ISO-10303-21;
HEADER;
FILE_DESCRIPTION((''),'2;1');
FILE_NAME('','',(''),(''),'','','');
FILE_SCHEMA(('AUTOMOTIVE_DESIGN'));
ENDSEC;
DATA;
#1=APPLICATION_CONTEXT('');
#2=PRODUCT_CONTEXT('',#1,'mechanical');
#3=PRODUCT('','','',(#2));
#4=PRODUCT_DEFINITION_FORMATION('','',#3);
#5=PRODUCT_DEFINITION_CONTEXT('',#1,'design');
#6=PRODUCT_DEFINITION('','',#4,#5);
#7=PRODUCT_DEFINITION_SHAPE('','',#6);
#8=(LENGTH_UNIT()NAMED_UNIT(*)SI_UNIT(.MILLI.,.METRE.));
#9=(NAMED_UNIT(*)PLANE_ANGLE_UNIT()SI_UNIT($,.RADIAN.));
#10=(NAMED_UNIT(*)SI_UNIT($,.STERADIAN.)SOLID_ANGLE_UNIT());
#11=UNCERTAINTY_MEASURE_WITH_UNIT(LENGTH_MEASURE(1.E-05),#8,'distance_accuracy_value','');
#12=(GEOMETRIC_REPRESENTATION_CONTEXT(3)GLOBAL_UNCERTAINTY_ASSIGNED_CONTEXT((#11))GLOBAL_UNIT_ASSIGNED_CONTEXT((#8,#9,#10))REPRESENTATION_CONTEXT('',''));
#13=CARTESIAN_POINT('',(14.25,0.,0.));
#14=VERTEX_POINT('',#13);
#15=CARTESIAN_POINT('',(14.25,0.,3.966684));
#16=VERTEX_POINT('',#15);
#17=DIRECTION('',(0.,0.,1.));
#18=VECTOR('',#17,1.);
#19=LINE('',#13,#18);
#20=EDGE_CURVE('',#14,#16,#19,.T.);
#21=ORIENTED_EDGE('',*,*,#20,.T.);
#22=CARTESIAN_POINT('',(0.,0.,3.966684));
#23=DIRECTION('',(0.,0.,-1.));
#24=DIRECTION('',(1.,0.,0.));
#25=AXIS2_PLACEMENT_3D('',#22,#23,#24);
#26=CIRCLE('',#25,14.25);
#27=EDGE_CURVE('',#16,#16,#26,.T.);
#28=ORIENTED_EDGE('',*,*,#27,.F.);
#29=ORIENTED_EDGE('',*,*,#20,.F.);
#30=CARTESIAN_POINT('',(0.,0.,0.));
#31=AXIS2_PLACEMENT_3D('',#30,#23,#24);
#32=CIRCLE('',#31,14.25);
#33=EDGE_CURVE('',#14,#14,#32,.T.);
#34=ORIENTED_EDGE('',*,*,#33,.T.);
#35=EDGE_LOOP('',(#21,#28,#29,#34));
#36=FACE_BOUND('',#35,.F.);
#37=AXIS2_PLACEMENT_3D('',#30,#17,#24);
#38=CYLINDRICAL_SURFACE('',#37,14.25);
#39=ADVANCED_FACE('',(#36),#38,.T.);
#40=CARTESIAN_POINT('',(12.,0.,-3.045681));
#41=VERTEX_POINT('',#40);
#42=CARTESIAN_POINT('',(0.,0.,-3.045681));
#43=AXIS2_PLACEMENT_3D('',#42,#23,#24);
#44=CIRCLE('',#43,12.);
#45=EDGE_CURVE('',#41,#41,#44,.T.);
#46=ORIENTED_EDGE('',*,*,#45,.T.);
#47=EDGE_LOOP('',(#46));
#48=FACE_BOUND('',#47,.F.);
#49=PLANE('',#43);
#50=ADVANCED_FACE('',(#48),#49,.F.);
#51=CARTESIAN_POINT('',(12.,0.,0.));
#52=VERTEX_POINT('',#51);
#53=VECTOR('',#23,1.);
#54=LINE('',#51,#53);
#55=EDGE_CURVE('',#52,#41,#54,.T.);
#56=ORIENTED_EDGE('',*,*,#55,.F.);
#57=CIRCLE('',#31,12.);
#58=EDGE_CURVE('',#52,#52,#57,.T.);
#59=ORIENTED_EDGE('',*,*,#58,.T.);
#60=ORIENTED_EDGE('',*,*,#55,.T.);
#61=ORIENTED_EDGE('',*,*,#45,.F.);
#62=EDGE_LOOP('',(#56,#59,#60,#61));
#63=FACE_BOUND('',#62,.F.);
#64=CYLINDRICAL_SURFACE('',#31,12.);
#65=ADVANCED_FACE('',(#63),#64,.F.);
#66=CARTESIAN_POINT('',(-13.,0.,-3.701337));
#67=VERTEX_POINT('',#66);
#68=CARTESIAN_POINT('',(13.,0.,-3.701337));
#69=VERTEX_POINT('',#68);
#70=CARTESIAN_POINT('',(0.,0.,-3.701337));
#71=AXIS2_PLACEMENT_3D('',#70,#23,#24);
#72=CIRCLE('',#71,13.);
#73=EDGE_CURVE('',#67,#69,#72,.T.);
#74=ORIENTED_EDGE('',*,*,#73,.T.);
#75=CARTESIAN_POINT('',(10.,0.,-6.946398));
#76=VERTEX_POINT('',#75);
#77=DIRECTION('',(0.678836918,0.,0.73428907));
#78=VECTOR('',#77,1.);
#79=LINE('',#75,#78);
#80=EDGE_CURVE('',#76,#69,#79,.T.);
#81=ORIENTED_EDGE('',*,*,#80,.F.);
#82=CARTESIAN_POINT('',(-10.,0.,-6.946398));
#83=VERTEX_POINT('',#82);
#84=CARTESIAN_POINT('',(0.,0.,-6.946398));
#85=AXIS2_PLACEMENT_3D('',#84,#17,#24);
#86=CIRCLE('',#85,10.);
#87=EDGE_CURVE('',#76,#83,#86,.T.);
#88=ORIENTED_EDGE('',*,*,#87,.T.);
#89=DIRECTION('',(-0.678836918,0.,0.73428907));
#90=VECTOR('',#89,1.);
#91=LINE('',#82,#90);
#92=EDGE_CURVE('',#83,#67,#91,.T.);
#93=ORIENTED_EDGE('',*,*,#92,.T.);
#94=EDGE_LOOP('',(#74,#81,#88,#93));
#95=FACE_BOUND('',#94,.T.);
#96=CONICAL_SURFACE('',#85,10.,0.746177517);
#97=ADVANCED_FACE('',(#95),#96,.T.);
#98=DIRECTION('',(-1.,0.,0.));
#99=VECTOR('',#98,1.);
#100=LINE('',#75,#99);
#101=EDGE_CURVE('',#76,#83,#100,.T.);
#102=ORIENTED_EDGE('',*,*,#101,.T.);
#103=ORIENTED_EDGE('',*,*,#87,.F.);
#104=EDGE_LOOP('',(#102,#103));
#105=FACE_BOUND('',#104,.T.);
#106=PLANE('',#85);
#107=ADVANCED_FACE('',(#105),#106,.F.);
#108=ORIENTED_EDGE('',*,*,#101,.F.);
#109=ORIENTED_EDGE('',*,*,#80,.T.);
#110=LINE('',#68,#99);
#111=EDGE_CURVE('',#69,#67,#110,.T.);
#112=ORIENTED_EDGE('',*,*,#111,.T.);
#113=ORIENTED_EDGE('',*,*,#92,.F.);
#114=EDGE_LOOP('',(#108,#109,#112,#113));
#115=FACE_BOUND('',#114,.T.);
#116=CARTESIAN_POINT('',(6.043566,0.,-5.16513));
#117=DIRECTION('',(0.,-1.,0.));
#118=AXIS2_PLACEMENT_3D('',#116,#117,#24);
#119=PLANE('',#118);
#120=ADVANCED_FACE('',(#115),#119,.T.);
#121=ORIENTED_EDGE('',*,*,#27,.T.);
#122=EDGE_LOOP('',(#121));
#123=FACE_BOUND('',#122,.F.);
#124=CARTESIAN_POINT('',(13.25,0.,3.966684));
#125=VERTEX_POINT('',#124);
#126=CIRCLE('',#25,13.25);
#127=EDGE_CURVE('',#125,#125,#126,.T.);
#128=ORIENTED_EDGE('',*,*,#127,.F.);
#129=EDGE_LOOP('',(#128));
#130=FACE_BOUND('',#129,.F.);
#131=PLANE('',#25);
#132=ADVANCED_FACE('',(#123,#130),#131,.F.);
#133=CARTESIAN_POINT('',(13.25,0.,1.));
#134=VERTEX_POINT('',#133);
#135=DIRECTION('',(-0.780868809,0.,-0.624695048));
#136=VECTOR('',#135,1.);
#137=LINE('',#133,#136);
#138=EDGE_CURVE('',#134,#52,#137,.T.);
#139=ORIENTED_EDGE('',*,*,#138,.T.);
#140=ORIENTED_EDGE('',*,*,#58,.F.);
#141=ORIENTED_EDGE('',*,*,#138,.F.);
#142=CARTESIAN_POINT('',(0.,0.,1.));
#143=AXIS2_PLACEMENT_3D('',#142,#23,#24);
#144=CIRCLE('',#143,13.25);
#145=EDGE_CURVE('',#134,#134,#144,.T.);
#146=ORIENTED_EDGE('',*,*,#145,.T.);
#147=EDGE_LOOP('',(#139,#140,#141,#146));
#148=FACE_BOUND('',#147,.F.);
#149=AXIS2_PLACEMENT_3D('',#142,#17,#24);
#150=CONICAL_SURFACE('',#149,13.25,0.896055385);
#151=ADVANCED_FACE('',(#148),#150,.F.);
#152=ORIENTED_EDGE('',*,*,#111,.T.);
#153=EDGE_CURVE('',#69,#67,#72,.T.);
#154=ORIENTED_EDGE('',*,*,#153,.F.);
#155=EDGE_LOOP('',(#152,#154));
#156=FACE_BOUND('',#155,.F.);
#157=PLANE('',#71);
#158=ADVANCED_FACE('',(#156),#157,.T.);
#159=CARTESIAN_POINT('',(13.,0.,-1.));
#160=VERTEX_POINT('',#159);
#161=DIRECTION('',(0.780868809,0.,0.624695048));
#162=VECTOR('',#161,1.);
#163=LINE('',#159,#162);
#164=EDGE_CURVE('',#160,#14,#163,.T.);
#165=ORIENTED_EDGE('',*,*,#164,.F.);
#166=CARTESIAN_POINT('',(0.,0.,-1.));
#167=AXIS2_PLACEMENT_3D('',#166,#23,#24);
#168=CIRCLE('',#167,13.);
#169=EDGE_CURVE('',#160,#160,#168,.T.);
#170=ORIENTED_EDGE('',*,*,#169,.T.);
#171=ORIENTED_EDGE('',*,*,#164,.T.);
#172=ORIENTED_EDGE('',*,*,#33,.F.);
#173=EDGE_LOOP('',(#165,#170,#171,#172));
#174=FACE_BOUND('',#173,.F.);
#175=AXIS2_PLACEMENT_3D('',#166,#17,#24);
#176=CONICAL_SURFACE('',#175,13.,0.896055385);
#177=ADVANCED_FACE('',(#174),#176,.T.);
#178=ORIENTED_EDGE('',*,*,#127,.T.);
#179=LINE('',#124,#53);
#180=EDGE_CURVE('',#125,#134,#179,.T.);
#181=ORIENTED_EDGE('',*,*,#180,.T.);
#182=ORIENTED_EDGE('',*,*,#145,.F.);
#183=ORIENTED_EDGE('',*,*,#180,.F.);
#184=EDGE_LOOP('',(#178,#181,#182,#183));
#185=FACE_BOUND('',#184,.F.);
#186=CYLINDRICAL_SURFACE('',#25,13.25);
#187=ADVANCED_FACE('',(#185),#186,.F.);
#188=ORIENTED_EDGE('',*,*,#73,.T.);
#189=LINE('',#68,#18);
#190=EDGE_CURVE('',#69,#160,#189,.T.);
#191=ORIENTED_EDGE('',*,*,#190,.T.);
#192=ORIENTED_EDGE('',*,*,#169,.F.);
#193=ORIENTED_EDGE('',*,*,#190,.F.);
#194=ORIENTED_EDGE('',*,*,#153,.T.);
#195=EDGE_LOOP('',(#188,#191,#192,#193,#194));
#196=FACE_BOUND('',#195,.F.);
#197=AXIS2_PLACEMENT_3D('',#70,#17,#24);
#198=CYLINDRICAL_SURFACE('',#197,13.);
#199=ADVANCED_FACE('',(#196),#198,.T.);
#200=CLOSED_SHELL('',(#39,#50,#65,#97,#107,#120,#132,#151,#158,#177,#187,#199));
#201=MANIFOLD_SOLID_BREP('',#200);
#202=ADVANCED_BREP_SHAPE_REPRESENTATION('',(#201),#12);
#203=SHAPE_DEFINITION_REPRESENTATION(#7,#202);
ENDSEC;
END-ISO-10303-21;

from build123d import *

# Parameters (mm, degrees)
F2_ANGLE = 180


with BuildPart() as f1:
    # F0 (on Front) → F1 (revolve)
    with BuildSketch(Plane.XZ):
        Polygon((14.25, 3.966684), (13.25, 3.966684), (13.25, 1), (12, 0), (12, -3.045681), (0, -3.045681), (0, -3.701337), (12, -3.701337), (13, -3.701337), (13, -1), (14.25, 0), align=None)
    revolve(axis=Axis((0, 0, -3.373509), (0, 0, -1)))

    # F0 (on Front) → F2 (revolve)
    with BuildSketch(Plane.XZ):
        Polygon((10, -6.946398), (13, -3.701337), (12, -3.701337), (0, -3.701337), (0, -6.946398), align=None)
    revolve(axis=Axis((0, 0, 3.279638), (0, 0, 1)), revolution_arc=F2_ANGLE)


solid = f1.part
